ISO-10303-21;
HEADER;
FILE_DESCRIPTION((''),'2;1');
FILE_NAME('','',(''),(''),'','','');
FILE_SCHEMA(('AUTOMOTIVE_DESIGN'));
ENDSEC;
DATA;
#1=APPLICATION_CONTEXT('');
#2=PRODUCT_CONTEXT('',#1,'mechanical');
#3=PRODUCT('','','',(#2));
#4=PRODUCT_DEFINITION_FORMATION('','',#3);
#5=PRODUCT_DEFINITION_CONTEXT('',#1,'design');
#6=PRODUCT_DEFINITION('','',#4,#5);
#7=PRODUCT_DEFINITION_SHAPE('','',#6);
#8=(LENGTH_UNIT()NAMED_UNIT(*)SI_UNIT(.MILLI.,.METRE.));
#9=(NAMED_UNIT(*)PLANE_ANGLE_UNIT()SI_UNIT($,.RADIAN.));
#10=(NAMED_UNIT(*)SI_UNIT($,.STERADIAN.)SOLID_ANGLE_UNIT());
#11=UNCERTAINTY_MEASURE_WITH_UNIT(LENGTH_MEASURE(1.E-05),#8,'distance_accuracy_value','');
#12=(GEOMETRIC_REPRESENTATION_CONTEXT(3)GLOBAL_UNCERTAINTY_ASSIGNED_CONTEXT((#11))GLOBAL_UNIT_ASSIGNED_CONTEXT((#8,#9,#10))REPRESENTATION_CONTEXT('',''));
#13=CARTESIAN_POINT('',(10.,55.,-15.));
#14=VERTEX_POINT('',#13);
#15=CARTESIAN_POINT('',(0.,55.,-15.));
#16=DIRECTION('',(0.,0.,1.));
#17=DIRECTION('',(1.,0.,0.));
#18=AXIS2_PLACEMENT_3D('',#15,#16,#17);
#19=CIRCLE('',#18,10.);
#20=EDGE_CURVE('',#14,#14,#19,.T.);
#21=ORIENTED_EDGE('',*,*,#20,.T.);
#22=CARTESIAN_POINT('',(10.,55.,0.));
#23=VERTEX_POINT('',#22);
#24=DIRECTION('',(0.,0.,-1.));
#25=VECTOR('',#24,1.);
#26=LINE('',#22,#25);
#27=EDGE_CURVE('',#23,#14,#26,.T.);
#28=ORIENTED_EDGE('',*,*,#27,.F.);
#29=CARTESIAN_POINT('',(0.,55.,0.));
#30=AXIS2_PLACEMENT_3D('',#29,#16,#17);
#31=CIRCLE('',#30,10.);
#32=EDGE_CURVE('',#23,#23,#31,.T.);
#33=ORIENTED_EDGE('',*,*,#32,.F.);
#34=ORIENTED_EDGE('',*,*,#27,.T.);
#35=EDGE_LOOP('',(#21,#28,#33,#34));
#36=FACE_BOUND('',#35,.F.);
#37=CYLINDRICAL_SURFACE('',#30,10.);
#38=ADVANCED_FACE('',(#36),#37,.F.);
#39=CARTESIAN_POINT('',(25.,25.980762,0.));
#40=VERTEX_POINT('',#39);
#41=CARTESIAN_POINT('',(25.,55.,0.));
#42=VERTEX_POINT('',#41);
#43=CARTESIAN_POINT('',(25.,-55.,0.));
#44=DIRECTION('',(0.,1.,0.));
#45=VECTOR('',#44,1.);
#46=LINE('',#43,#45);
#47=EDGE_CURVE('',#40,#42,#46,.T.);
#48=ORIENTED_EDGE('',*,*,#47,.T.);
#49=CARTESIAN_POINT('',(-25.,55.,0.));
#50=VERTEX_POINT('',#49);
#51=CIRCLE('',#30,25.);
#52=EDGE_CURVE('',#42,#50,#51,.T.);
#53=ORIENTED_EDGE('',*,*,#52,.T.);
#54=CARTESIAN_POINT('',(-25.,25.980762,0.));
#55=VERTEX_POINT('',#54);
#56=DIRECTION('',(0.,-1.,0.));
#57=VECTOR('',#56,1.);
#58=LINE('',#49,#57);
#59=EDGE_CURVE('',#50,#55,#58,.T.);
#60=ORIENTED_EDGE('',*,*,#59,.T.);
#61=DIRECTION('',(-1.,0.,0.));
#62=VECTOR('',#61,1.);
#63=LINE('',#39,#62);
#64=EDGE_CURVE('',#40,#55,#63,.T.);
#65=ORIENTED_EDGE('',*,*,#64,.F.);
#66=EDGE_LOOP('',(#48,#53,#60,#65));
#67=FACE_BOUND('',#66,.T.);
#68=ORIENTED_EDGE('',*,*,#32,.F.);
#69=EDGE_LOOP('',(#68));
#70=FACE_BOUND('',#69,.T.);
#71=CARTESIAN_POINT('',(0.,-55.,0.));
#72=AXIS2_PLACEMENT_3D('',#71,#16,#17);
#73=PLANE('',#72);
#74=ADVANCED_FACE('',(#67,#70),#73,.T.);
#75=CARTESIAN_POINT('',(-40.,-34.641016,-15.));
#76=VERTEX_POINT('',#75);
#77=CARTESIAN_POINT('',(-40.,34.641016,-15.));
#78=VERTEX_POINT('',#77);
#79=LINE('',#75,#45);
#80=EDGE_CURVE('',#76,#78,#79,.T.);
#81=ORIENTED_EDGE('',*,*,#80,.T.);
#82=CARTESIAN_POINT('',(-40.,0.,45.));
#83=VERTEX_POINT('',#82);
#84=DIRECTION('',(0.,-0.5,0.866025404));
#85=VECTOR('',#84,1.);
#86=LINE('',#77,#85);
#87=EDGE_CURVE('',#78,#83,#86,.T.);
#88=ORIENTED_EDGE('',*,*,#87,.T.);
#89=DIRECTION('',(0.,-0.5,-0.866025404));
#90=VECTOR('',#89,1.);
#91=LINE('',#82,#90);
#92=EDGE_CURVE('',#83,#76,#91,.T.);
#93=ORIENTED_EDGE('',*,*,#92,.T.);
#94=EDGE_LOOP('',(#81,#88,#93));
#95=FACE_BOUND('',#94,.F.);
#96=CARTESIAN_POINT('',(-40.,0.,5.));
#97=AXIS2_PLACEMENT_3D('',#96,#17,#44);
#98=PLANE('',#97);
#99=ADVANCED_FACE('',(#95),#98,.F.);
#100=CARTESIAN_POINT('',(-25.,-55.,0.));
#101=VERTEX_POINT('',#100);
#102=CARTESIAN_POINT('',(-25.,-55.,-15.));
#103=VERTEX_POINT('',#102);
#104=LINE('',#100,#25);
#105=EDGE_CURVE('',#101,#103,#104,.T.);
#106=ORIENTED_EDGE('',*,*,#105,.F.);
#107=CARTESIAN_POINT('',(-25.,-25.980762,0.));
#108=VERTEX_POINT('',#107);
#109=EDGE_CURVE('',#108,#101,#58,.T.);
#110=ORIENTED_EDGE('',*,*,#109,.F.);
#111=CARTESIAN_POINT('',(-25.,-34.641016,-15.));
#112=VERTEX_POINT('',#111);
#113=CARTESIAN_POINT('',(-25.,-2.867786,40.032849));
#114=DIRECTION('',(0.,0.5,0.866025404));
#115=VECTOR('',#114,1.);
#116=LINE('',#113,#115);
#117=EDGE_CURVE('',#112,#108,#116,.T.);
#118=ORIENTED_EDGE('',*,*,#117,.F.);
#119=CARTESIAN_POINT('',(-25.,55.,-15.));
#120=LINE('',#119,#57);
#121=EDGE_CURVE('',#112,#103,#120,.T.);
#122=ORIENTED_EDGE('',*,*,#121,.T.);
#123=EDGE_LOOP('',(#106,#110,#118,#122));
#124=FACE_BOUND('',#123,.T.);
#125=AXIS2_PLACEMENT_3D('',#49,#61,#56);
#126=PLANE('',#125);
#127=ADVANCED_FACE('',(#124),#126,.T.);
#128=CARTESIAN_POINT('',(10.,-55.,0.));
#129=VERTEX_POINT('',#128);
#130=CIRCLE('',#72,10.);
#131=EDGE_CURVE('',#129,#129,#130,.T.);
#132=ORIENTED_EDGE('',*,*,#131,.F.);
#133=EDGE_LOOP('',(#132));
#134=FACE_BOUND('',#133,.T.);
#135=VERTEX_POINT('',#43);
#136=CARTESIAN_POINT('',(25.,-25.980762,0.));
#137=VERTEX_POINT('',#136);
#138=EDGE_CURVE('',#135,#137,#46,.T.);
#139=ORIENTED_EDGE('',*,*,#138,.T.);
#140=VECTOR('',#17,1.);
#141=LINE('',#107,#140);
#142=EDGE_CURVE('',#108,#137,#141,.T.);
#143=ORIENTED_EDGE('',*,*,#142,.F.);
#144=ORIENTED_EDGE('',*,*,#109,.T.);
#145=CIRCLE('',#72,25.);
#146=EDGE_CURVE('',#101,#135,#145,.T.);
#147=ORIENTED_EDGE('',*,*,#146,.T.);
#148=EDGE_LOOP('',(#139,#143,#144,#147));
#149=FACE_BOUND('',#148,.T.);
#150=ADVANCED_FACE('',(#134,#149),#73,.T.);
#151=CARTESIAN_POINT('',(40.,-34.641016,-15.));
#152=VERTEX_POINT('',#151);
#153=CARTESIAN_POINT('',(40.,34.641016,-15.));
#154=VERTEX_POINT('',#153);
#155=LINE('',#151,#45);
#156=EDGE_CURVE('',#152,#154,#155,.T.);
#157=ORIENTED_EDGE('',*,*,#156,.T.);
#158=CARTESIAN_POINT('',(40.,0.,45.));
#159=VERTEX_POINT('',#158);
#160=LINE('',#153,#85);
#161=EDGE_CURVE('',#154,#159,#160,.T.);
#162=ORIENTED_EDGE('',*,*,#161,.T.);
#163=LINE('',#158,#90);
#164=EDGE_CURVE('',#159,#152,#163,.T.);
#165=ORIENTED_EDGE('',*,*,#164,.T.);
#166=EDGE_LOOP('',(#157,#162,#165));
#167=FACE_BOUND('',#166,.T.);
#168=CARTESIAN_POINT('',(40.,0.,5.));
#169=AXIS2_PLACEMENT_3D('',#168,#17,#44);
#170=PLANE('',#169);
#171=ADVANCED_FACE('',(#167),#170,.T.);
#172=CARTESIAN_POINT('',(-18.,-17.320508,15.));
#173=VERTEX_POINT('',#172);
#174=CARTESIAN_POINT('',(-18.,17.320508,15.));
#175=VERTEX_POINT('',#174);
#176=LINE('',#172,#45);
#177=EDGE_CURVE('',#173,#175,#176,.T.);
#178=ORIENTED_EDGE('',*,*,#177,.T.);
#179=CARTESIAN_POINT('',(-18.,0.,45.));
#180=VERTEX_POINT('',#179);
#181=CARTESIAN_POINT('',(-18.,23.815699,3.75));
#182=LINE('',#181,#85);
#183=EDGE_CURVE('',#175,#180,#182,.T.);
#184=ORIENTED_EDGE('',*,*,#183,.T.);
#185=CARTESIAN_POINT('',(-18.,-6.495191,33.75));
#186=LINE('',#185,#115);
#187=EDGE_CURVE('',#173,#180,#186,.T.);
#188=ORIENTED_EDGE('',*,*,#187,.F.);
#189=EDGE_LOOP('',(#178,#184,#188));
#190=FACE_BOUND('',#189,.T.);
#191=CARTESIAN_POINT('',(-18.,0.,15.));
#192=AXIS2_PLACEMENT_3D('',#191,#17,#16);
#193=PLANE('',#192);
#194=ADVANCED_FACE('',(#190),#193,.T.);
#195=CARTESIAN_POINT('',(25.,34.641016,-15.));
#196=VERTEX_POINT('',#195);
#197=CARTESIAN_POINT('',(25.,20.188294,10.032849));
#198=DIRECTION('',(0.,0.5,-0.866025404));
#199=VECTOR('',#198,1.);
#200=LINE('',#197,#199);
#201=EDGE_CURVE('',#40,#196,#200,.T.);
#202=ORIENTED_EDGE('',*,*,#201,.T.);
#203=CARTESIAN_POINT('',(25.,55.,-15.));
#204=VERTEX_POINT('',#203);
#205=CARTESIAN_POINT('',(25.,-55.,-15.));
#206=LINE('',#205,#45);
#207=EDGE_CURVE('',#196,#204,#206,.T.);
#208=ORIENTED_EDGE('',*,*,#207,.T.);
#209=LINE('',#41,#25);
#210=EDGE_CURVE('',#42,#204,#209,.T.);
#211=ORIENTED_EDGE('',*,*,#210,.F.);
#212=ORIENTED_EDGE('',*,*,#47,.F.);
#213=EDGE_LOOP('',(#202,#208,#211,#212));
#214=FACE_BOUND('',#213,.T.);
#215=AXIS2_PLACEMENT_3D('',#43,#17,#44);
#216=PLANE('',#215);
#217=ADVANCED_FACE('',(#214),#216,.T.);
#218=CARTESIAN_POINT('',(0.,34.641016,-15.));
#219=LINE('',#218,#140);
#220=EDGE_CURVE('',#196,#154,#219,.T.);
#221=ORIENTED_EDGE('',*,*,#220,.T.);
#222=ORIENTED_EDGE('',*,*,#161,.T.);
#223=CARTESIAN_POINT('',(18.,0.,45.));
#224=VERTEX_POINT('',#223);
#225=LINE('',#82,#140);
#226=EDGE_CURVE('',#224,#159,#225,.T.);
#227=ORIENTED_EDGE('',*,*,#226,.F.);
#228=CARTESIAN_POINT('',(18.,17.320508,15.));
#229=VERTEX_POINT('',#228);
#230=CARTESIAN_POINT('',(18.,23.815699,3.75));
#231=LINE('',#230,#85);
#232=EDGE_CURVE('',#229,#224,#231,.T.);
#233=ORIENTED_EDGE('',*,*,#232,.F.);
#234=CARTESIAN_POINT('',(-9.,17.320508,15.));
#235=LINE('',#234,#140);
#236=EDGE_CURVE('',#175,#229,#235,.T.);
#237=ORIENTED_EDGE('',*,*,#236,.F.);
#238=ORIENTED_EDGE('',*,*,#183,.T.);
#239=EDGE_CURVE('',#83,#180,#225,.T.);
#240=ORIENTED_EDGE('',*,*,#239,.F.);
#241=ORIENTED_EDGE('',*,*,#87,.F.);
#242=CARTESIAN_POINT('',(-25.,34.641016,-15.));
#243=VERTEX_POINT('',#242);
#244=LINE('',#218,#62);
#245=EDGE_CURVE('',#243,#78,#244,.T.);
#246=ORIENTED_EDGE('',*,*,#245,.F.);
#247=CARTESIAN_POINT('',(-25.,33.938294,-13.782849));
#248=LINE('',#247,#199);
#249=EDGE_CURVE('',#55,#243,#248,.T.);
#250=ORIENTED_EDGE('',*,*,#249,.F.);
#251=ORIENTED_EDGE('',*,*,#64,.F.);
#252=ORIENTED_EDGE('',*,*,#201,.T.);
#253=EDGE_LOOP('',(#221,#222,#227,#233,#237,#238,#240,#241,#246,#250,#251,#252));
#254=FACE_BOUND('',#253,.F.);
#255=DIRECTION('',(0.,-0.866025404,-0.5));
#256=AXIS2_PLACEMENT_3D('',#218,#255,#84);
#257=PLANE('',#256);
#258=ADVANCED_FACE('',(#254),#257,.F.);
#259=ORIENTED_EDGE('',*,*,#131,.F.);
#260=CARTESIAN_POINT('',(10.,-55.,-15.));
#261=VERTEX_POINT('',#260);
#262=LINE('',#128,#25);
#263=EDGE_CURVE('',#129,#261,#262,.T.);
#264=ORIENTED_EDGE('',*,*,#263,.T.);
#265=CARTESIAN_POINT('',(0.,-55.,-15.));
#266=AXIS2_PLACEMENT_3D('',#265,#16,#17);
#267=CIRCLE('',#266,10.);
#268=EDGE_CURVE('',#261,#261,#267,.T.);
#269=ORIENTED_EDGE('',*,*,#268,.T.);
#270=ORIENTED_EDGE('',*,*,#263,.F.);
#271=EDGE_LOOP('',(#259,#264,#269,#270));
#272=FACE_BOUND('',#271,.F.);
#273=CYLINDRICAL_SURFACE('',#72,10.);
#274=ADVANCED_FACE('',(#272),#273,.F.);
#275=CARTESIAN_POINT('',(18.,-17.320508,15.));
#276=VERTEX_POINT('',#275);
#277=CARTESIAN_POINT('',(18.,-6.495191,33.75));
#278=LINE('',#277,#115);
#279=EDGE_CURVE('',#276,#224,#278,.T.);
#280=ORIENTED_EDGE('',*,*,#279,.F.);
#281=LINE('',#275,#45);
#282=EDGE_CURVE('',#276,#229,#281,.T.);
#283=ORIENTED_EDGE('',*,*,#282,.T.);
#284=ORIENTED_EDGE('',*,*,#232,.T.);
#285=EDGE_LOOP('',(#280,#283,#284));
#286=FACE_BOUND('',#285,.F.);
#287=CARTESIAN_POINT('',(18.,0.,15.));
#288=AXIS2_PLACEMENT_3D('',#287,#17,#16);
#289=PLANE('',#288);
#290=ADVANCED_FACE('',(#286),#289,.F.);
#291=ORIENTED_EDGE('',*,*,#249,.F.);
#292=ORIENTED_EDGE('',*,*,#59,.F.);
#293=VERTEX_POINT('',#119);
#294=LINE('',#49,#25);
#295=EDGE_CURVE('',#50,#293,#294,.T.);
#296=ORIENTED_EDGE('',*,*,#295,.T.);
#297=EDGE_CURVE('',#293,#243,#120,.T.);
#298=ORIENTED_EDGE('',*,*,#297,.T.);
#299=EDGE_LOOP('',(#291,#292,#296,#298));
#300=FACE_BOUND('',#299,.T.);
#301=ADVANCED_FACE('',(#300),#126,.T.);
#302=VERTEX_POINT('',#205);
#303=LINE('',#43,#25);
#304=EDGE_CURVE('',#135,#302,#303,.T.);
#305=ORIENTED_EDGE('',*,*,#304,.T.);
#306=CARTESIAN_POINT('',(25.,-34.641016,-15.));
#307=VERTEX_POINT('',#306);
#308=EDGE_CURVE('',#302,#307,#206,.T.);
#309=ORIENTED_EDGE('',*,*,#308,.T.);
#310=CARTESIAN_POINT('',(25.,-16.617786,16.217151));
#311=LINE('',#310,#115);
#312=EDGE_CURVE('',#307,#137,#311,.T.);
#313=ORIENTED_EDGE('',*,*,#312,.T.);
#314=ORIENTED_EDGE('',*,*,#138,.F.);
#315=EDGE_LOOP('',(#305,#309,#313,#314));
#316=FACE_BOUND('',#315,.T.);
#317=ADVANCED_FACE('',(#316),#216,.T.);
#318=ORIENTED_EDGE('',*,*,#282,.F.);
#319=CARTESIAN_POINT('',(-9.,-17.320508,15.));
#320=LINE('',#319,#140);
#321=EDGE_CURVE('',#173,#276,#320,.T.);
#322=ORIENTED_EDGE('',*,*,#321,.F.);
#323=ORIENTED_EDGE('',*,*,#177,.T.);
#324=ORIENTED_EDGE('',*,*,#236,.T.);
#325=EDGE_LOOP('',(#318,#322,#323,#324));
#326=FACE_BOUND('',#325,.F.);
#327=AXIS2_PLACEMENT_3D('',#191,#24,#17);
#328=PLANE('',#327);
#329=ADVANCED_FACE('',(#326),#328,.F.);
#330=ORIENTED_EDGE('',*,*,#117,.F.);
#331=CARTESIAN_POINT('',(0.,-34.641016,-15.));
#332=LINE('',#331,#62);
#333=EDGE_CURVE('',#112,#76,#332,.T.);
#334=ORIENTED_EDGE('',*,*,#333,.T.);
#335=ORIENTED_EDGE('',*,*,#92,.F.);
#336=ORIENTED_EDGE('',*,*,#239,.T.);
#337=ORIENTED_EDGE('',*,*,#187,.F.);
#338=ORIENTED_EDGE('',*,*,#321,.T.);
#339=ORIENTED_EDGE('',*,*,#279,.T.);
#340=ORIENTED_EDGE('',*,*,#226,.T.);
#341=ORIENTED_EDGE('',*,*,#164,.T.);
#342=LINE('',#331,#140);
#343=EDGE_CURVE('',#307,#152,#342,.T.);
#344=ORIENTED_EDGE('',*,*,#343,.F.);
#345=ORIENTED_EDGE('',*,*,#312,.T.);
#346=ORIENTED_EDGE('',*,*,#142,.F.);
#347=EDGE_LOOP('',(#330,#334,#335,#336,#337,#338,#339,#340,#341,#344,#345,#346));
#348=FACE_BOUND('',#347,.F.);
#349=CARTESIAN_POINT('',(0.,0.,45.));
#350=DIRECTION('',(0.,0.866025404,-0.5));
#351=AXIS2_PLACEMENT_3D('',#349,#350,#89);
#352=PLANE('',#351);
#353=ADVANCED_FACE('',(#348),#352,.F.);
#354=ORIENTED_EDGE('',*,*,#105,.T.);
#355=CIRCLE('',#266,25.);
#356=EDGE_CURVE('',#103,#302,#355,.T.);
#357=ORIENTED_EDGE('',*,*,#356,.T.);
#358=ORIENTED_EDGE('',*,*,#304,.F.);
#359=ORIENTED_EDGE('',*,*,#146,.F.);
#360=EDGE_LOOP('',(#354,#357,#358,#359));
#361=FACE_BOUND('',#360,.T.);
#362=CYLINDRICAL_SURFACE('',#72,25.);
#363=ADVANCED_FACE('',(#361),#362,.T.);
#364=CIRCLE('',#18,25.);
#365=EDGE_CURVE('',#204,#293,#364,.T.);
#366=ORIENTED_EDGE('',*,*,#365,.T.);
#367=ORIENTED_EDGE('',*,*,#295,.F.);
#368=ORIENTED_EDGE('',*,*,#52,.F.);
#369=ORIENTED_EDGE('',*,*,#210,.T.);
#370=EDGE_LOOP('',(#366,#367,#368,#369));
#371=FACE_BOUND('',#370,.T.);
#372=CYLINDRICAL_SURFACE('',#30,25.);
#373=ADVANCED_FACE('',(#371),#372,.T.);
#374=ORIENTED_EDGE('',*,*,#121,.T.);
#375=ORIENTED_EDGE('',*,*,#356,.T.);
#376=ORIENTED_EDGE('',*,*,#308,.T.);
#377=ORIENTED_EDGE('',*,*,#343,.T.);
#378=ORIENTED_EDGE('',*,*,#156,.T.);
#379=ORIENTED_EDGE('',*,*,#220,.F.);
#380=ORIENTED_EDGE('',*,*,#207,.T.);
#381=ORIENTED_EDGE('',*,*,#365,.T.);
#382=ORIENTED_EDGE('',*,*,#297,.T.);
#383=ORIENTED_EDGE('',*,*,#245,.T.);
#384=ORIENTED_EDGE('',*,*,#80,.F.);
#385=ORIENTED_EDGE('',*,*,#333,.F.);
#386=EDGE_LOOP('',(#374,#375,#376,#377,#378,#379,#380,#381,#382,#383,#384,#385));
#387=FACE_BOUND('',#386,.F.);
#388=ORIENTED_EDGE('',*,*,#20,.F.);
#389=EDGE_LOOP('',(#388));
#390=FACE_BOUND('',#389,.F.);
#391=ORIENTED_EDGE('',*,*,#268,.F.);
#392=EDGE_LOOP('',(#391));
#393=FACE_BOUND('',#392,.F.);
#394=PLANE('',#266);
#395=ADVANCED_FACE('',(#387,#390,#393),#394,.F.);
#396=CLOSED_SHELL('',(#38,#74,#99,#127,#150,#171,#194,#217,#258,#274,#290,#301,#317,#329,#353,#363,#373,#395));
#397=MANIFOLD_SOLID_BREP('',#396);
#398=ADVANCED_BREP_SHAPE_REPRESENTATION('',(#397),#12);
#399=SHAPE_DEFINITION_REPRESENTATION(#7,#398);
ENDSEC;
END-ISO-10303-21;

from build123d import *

# Parameters (mm, degrees)
F0_R          = 10
F1_DEPTH      = 15
F3_DEPTH      = 40
F3_DEPTH_BACK = 40
F4_W          = 36
F4_H          = 30
F5_DEPTH      = 50
F5_DEPTH_BACK = 25


with BuildPart() as f1:
    # F0 (on Top) → F1 (new body)
    with BuildSketch(Plane.XY):
        with BuildLine():
            ThreePointArc((-25, -55), (0, -80), (25, -55))
            ThreePointArc((25, -55), (0, -30), (-25, -55))
        make_face()
        with Locations((0, -55)):
            Circle(F0_R, mode=Mode.SUBTRACT)
        with BuildLine():
            Line((25, -55), (25, 55))
            ThreePointArc((25, 55), (0, 30), (-25, 55))
            Line((-25, 55), (-25, -55))
            ThreePointArc((-25, -55), (0, -30), (25, -55))
        make_face()
        with BuildLine():
            ThreePointArc((-25, 55), (0, 30), (25, 55))
            ThreePointArc((25, 55), (0, 80), (-25, 55))
        make_face()
        with Locations((0, 55)):
            Circle(F0_R, mode=Mode.SUBTRACT)
    extrude(amount=-F1_DEPTH)

    # F2 (on Right) → F3 (join, two sides)
    with BuildSketch(Plane.YZ) as f3_sk:
        Polygon((0, -15), (34.6410161514, -15), (0, 45), (-34.6410161514, -15), align=None)
    extrude(amount=F3_DEPTH)
    extrude(f3_sk.sketch, amount=-F3_DEPTH_BACK)

    # F4 (on Front) → F5 (cut, two sides)
    with BuildSketch(Plane.XZ) as f5_sk:
        with Locations((0, 30)):
            Rectangle(F4_W, F4_H)
    extrude(amount=-F5_DEPTH, mode=Mode.SUBTRACT)
    extrude(f5_sk.sketch, amount=F5_DEPTH_BACK, mode=Mode.SUBTRACT)


solid = f1.part
